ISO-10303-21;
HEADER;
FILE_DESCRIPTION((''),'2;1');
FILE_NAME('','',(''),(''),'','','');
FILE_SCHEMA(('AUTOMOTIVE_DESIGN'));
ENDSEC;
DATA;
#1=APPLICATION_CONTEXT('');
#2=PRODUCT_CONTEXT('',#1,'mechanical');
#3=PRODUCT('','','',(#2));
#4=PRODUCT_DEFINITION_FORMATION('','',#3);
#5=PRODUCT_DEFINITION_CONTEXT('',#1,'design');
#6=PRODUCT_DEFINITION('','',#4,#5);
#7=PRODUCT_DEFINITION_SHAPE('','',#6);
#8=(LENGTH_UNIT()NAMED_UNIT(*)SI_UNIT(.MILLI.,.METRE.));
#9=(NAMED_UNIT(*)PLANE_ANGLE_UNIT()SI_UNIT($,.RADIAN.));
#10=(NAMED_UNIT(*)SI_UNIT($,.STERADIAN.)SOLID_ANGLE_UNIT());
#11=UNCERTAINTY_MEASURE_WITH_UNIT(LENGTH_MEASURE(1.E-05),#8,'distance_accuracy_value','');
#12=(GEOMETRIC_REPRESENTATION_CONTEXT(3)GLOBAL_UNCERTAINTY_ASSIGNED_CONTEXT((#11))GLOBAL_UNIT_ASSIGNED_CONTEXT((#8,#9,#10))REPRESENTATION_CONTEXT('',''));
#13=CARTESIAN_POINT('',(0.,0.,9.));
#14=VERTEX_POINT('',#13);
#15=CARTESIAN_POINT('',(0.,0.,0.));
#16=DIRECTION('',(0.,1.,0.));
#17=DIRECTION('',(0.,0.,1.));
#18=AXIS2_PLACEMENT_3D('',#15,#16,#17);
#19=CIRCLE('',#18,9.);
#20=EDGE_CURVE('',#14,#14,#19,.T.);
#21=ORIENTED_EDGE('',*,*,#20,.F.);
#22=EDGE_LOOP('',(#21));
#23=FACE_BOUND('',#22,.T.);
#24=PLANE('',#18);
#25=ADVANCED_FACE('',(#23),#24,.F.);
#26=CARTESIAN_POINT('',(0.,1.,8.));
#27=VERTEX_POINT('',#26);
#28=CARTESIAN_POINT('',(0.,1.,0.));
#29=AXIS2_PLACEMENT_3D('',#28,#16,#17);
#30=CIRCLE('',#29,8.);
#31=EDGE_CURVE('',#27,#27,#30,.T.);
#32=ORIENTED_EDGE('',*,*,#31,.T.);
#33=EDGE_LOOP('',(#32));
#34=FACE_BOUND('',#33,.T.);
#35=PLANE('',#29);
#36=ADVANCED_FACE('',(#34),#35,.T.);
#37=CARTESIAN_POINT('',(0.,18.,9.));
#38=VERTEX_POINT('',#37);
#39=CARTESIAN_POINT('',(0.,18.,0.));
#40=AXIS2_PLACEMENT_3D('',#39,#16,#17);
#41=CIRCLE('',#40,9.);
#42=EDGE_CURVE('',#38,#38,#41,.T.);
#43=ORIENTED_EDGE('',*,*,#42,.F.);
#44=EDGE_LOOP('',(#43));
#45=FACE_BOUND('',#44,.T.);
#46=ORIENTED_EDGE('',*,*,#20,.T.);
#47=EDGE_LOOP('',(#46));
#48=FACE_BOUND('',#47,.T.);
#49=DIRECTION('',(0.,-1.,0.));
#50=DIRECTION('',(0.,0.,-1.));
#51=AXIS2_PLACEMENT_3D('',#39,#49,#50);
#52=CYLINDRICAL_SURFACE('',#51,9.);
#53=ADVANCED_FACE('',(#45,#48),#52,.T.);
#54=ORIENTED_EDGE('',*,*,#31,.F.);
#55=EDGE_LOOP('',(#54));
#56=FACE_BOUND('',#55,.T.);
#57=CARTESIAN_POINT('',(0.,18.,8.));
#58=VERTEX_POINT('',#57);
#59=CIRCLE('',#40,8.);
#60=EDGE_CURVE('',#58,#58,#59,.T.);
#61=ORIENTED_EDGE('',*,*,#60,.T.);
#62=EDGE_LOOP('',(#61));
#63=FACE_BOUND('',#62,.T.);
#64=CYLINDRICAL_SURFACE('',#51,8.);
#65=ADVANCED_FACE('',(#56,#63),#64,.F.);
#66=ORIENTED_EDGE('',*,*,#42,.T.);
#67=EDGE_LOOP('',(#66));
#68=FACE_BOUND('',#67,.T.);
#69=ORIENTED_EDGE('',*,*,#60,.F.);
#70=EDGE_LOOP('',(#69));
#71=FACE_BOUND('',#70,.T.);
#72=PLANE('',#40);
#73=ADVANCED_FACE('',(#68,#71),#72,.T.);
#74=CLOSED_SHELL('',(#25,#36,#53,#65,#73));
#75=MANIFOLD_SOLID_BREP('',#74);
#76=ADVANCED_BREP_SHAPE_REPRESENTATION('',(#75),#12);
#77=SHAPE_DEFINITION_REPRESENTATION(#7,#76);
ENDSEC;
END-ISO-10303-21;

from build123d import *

# Parameters (mm, degrees)
SKETCH1_R           = 9
BOSS_EXTRUDE1_DEPTH = 18
SHELL1_T            = -1


with BuildPart() as part:
    # Sketch1 → Boss-Extrude1 (new body)
    with BuildSketch(Plane(origin=(0, 0, 0), x_dir=(1, 0, 0), z_dir=(0, 1, 0))):
        with Locations(Location((0, 0, 0), (0, 0, 270))):
            Circle(SKETCH1_R)
    extrude(amount=BOSS_EXTRUDE1_DEPTH)

    # Shell1
    shell1_openings = [part.faces().sort_by_distance(p)[0] for p in [
        (0, 18, 0),
    ]]
    offset(amount=SHELL1_T, openings=shell1_openings, kind=Kind.INTERSECTION)


solid = part.part
